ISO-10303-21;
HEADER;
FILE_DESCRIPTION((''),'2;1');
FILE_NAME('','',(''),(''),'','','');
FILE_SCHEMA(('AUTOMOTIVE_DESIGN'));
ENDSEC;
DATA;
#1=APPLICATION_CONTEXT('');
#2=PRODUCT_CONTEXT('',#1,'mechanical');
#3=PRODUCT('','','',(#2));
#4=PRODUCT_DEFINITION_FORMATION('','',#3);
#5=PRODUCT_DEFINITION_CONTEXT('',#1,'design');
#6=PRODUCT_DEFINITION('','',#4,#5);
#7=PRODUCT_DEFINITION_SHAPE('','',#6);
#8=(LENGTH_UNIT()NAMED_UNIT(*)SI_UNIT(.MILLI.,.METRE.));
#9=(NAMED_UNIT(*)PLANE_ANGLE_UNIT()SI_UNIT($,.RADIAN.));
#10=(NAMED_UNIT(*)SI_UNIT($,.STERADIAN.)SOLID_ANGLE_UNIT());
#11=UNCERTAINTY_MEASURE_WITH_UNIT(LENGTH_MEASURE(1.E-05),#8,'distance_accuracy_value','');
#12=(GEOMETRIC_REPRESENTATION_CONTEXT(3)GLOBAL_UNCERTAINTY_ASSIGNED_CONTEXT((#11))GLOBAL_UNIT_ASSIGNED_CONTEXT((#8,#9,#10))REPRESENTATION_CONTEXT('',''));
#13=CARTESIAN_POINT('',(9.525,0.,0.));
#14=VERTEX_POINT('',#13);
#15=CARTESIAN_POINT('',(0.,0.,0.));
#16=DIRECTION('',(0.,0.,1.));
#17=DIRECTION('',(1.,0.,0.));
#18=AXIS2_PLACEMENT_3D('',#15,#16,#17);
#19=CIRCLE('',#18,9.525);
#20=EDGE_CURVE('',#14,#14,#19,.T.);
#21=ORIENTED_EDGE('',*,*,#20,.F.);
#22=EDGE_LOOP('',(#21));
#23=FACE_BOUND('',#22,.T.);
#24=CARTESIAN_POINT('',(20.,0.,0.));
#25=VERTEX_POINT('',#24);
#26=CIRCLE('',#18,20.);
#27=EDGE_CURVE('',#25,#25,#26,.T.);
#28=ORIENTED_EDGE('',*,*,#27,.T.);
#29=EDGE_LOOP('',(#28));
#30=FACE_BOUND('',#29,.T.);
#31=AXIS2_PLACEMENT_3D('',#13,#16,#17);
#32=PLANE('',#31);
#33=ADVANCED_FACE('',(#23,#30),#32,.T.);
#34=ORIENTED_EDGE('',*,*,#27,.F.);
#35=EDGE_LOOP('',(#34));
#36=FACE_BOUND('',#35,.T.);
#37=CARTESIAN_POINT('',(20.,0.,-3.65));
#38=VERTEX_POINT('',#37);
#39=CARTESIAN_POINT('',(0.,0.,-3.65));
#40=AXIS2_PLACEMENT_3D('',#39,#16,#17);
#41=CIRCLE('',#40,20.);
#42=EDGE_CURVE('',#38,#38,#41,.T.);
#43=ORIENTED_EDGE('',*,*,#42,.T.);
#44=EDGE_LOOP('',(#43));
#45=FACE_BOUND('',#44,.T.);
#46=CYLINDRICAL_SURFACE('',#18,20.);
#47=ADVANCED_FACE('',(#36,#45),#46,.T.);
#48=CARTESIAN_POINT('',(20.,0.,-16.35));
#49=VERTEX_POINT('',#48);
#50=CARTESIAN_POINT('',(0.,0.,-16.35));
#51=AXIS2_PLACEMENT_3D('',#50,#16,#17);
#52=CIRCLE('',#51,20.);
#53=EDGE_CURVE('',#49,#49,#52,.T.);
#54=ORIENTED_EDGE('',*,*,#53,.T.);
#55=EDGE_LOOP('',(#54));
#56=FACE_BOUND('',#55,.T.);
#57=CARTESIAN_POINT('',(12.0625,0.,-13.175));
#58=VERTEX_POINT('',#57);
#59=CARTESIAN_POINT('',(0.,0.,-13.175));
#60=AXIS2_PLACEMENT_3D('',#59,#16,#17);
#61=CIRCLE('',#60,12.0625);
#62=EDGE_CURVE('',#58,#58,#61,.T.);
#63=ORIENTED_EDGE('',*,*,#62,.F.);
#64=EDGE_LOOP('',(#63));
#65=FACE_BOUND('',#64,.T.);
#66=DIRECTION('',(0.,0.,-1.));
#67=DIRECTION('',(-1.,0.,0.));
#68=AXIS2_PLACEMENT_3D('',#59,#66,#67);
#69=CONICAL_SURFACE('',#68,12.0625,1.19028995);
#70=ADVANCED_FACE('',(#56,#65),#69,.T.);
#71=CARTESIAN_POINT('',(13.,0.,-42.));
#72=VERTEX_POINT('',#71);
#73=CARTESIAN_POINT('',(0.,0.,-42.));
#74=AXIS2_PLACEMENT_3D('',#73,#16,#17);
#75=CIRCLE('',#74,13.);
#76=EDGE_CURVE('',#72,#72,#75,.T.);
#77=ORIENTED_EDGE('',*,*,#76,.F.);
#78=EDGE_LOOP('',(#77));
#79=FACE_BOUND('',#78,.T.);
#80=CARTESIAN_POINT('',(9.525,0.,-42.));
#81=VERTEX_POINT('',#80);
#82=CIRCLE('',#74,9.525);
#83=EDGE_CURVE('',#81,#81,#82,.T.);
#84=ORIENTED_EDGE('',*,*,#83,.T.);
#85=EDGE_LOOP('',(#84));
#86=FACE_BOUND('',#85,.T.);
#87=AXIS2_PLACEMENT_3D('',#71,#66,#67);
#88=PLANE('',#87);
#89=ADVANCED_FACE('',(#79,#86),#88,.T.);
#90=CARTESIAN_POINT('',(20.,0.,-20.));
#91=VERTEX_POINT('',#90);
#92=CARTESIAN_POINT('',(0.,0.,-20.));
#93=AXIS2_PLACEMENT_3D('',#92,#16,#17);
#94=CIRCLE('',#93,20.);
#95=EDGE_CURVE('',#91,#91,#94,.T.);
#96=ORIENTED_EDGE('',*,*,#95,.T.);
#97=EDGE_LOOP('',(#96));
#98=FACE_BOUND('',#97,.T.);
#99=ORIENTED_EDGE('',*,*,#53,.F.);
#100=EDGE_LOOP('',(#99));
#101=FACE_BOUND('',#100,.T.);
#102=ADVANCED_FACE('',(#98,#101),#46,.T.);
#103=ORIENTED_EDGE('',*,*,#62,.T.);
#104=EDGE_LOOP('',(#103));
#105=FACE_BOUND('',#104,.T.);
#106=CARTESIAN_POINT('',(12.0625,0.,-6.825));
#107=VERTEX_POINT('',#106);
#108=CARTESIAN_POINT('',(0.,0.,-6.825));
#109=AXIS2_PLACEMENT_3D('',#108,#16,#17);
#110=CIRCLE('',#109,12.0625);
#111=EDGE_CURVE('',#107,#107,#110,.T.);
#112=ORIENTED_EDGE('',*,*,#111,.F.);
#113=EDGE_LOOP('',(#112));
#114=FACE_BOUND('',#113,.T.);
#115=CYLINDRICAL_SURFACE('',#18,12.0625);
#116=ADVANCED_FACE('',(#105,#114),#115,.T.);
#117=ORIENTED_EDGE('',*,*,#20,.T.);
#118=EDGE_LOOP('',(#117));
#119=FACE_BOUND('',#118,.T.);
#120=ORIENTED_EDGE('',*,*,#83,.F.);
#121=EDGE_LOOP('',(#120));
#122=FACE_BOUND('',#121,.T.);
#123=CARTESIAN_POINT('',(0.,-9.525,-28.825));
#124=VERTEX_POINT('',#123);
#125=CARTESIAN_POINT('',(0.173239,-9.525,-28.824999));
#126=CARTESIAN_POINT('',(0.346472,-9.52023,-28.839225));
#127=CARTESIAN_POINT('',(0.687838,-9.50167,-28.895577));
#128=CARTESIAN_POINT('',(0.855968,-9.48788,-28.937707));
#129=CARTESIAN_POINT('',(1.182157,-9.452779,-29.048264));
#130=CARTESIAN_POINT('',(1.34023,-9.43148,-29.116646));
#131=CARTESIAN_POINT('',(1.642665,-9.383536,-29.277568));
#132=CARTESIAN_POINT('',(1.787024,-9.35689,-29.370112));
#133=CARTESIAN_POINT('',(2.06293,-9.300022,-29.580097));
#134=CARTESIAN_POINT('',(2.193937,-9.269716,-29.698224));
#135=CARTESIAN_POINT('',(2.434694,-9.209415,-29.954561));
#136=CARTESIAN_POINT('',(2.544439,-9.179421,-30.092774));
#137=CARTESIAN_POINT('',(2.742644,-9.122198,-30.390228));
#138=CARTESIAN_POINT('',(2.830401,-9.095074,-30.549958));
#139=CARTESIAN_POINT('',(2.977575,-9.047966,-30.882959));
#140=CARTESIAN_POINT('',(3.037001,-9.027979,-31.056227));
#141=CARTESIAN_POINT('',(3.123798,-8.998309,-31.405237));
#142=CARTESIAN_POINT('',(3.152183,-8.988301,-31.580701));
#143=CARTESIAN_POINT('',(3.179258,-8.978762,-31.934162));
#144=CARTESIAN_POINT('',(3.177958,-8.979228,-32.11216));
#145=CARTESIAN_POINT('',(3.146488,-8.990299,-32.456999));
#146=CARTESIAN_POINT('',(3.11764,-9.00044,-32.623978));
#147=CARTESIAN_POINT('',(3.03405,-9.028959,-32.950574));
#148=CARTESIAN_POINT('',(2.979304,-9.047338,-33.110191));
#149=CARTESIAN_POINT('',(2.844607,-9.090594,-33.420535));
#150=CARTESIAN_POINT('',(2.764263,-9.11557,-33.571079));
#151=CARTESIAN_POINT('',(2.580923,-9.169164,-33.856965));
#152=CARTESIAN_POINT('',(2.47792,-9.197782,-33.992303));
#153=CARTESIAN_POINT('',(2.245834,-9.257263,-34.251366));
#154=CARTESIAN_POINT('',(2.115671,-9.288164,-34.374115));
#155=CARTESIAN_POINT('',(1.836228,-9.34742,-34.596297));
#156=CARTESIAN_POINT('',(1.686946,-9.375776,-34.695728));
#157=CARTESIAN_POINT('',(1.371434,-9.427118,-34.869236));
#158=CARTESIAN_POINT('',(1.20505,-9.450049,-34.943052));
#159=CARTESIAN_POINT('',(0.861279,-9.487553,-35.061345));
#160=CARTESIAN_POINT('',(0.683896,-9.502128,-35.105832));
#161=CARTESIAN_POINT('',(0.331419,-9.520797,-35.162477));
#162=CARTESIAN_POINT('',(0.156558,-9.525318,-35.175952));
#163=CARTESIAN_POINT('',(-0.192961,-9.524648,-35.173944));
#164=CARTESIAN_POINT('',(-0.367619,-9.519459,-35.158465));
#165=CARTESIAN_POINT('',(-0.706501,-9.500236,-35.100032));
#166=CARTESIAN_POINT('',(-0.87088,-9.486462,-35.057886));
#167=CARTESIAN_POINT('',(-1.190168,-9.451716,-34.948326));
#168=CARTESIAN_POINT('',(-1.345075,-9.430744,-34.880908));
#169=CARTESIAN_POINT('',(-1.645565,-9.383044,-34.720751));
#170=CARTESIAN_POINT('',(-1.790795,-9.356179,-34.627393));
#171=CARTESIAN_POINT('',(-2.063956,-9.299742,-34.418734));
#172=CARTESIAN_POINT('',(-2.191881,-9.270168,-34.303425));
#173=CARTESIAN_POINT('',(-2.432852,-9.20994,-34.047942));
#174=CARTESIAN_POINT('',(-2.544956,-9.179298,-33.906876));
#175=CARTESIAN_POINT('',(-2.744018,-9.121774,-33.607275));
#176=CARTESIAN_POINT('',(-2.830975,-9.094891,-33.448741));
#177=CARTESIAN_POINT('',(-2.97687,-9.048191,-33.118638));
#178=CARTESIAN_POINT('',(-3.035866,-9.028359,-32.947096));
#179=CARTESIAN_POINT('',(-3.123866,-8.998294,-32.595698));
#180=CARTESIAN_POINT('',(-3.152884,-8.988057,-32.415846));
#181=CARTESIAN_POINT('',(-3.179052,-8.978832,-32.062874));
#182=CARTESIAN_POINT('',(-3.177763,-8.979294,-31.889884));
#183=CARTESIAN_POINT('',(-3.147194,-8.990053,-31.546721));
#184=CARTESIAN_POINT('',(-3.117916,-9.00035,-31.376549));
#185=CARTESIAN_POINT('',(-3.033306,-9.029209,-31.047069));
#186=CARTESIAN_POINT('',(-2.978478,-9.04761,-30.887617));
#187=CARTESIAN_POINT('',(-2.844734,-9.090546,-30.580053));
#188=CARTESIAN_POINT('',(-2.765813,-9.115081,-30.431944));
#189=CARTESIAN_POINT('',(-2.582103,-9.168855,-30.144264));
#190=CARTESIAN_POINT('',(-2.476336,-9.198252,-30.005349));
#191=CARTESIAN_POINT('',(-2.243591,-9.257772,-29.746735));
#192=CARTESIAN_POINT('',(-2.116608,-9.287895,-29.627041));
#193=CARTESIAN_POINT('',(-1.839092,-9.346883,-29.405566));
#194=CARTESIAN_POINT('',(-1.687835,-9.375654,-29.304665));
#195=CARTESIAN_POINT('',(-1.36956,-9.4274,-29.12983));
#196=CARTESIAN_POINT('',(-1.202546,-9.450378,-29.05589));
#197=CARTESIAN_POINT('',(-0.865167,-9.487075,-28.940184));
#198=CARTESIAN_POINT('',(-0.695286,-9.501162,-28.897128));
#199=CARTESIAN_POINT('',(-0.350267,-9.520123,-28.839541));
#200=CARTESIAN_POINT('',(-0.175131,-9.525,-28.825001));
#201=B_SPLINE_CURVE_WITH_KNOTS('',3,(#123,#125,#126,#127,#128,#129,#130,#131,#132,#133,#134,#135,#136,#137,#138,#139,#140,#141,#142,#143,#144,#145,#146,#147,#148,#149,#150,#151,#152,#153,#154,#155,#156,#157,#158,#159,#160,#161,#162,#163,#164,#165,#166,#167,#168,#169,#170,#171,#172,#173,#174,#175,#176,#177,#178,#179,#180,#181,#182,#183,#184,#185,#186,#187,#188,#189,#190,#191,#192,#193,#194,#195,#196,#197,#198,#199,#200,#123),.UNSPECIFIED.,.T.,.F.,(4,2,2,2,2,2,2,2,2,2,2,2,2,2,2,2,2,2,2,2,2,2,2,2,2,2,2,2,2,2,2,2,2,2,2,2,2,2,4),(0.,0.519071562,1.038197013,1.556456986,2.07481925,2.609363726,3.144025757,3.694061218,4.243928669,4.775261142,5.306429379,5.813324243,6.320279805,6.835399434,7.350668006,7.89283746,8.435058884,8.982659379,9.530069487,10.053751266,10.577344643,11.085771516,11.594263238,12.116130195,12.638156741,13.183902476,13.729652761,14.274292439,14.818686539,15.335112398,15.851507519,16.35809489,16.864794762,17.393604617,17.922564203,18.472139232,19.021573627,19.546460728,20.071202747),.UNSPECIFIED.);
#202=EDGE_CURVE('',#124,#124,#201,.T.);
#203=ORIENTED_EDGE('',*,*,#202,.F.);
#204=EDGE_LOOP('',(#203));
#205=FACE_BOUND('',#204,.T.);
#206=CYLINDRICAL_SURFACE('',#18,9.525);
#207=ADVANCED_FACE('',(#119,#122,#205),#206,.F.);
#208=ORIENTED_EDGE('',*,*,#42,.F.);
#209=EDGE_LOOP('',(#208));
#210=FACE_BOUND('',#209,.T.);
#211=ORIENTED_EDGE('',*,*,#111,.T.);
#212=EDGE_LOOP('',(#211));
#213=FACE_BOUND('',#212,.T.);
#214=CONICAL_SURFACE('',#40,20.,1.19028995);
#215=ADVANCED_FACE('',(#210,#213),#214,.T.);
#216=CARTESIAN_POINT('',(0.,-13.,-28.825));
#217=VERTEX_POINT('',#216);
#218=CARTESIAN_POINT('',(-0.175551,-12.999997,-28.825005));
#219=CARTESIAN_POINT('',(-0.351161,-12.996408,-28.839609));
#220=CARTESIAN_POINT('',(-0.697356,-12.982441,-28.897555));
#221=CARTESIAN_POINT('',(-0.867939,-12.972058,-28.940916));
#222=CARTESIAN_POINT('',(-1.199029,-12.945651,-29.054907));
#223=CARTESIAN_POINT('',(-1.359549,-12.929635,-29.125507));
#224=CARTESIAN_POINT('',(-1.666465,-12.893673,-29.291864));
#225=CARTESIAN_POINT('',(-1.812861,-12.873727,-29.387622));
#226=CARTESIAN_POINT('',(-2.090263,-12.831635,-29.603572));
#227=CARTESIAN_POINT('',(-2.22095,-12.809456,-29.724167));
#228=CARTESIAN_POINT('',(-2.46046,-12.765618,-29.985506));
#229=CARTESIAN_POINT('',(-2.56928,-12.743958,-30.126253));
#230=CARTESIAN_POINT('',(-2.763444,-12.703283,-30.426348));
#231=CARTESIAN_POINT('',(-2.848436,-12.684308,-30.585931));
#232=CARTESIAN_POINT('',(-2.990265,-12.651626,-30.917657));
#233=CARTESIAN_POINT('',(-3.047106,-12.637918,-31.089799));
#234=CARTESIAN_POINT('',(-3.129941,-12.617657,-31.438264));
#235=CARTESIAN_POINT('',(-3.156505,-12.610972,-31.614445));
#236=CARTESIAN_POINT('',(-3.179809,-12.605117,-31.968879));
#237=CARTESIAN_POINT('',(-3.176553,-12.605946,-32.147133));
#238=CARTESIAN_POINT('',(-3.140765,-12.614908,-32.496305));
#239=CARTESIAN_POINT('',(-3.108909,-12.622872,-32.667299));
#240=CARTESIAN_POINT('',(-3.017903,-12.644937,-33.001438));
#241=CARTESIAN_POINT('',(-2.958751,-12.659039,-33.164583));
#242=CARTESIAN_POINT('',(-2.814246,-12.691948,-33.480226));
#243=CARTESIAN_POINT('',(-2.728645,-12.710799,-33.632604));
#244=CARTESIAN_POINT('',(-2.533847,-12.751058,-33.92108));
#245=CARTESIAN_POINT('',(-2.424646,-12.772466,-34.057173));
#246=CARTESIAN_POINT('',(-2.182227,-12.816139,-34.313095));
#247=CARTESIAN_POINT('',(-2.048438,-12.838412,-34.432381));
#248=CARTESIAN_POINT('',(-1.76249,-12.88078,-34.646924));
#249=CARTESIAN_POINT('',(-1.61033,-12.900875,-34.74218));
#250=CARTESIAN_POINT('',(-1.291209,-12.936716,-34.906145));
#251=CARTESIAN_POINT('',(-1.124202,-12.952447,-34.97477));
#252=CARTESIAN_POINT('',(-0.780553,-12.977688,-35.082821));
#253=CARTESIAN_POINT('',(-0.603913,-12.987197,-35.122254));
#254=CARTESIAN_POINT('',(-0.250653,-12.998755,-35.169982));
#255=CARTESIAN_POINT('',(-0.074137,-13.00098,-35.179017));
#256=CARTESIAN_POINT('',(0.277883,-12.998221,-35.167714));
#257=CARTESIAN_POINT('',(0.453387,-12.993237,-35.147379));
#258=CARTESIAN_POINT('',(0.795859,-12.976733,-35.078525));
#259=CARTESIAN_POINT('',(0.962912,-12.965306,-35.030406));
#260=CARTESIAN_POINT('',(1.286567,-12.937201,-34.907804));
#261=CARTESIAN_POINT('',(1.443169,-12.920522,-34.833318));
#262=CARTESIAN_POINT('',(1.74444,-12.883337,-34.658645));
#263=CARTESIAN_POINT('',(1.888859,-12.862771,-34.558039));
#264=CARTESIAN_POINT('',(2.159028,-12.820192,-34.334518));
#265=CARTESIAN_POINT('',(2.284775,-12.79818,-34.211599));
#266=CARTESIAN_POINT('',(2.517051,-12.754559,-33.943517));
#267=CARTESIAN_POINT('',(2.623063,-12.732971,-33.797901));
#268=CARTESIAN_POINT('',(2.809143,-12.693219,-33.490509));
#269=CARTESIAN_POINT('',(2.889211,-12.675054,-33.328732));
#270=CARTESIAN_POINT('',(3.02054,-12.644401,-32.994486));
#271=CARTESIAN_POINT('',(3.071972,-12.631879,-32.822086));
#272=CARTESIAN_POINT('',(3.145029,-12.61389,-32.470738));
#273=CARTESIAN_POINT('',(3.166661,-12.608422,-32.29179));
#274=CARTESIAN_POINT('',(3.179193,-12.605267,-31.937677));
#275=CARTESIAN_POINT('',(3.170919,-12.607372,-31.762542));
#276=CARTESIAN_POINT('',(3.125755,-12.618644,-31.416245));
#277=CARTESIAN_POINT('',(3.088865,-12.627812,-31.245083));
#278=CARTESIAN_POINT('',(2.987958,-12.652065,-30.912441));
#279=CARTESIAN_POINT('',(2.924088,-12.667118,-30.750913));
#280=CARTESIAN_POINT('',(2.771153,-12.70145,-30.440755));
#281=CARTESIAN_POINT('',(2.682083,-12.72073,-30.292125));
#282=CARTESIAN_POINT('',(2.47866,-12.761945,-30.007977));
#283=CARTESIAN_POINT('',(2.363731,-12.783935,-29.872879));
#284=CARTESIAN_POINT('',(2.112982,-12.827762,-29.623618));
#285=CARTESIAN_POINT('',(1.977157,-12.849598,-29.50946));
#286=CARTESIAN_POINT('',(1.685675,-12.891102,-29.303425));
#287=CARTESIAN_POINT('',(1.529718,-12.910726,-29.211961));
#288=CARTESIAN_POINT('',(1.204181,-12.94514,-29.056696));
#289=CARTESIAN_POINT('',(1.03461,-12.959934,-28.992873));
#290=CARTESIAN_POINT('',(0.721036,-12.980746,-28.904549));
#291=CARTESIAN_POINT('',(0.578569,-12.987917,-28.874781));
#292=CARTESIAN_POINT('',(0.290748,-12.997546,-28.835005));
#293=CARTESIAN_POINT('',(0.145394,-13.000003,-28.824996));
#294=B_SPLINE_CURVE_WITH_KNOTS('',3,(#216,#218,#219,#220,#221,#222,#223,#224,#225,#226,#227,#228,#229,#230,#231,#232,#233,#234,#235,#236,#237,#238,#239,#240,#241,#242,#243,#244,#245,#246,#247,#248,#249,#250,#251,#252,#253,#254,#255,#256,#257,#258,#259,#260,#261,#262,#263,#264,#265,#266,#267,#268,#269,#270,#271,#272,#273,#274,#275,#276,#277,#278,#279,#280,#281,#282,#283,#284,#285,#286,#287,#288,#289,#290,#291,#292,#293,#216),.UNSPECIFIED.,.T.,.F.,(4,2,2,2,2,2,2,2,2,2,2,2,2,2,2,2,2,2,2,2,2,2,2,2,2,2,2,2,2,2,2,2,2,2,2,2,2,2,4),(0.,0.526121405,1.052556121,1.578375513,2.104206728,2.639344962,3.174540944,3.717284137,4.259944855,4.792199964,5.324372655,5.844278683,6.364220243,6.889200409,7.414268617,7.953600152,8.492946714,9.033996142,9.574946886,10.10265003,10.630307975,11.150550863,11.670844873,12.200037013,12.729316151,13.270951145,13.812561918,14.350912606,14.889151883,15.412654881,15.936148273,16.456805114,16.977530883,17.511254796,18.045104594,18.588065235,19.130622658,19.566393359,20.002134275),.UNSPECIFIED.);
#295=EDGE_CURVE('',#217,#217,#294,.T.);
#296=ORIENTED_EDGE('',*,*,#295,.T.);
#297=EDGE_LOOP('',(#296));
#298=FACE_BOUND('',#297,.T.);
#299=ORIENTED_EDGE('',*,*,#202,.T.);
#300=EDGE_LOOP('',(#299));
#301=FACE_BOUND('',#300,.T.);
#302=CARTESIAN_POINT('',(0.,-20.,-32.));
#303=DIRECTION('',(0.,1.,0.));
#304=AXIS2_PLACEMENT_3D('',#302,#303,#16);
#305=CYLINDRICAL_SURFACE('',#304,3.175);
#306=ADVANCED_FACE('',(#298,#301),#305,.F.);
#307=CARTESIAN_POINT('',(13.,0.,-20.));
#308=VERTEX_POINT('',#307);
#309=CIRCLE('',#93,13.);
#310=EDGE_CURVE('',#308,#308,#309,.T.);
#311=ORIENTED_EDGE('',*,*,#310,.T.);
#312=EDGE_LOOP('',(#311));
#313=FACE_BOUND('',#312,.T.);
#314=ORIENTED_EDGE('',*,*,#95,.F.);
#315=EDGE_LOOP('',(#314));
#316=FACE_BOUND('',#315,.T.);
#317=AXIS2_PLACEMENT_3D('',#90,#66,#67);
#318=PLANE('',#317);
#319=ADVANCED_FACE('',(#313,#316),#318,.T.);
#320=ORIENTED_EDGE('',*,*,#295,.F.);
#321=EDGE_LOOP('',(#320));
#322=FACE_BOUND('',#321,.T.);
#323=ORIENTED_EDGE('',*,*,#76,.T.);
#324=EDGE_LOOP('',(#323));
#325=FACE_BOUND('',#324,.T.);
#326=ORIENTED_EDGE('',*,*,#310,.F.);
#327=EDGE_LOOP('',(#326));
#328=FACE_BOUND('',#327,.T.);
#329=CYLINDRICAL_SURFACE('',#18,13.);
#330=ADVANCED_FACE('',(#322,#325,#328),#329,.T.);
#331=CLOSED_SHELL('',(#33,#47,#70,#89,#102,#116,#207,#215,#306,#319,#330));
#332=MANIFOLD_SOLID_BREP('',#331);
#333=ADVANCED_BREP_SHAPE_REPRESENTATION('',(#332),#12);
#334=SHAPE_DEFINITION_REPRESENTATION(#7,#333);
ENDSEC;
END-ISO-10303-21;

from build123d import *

# Parameters (mm, degrees)
CROQUIS7_R            = 3.175
CORTAR_EXTRUIR2_DEPTH = 21


with BuildPart() as part:
    # Croquis2 → Revolución2 (revolve)
    with BuildSketch(Plane(origin=(0, 0, 0), x_dir=(1, 0, 0), z_dir=(0, 1, 0))):
        Polygon((20, 0), (20, 3.65), (12.0625, 6.825), (12.0625, 13.175), (20, 16.35), (20, 20), (13, 20), (13, 42), (9.525, 42), (9.525, 0), align=None)
    revolve(axis=Axis((0, 0, 0), (0, 0, -1)))

    # Croquis7 → Cortar-Extruir2 (cut, through all)
    with BuildSketch(Plane(origin=(0, 0, 0), x_dir=(1, 0, 0), z_dir=(0, 1, 0))):
        with Locations((0, 32)):
            Circle(CROQUIS7_R)
    extrude(amount=-CORTAR_EXTRUIR2_DEPTH, mode=Mode.SUBTRACT)


solid = part.part
